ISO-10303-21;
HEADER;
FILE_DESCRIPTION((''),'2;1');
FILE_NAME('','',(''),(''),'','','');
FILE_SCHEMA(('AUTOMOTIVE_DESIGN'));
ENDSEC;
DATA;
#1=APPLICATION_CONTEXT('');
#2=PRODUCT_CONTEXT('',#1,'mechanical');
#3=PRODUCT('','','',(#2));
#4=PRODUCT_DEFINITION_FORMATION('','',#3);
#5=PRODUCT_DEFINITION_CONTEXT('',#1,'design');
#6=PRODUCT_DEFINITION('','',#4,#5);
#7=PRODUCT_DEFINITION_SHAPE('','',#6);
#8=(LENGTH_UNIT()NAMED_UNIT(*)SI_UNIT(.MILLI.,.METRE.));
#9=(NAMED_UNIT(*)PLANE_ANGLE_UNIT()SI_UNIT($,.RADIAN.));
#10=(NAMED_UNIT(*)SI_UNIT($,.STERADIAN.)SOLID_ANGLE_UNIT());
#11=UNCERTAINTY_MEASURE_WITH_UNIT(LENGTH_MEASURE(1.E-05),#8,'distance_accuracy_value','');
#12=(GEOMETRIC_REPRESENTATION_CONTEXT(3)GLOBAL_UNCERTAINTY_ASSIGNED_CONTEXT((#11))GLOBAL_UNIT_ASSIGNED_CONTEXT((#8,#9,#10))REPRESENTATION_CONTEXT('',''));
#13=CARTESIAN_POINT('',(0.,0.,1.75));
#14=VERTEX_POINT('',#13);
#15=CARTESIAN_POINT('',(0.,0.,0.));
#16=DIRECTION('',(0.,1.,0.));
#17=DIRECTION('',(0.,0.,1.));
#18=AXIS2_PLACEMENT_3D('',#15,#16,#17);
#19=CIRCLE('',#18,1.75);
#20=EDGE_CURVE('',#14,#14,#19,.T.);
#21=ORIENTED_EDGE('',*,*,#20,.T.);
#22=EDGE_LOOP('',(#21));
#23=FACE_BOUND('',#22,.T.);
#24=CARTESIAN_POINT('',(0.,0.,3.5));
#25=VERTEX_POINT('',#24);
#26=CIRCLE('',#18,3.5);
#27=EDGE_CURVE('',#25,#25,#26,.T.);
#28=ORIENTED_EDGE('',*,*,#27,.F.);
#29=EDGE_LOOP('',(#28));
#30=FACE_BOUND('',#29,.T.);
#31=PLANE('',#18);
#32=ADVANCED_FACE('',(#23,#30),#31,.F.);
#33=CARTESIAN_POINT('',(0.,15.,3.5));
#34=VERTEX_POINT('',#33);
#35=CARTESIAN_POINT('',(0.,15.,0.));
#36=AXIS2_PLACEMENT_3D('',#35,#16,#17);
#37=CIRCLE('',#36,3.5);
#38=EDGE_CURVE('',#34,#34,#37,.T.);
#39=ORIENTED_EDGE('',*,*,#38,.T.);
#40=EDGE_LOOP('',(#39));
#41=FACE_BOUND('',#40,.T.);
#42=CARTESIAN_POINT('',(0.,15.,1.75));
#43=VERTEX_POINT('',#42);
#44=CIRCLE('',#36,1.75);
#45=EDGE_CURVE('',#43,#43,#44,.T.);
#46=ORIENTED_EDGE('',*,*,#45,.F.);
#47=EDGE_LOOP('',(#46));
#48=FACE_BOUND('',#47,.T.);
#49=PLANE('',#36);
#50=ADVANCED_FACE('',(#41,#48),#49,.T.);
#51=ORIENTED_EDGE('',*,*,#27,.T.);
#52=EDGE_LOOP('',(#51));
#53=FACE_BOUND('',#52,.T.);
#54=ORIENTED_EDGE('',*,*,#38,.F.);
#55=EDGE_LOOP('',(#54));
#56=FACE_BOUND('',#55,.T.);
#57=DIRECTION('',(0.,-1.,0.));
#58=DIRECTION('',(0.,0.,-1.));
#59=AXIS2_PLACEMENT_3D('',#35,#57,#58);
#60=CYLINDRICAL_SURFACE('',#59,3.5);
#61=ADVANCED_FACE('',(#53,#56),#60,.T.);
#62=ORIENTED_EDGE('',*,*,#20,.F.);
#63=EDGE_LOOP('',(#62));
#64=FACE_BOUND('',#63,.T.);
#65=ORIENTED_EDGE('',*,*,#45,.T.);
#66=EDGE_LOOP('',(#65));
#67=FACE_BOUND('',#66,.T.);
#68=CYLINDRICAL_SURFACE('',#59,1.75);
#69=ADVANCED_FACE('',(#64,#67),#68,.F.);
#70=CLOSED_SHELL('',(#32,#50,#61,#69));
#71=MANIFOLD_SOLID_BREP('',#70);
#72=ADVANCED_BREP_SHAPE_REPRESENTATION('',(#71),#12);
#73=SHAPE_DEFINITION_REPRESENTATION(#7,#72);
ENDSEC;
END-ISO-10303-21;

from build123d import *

# Parameters (mm, degrees)
SKETCH1_R           = 3.5
SKETCH1_R_2         = 1.75
BOSS_EXTRUDE1_DEPTH = 15


with BuildPart() as part:
    # Sketch1 → Boss-Extrude1 (new body)
    with BuildSketch(Plane(origin=(0, 0, 0), x_dir=(1, 0, 0), z_dir=(0, 1, 0))):
        with Locations(Location((0, 0, 0), (0, 0, 270))):
            Circle(SKETCH1_R)
        with Locations(Location((0, 0, 0), (0, 0, 270))):
            Circle(SKETCH1_R_2, mode=Mode.SUBTRACT)
    extrude(amount=BOSS_EXTRUDE1_DEPTH)


solid = part.part
